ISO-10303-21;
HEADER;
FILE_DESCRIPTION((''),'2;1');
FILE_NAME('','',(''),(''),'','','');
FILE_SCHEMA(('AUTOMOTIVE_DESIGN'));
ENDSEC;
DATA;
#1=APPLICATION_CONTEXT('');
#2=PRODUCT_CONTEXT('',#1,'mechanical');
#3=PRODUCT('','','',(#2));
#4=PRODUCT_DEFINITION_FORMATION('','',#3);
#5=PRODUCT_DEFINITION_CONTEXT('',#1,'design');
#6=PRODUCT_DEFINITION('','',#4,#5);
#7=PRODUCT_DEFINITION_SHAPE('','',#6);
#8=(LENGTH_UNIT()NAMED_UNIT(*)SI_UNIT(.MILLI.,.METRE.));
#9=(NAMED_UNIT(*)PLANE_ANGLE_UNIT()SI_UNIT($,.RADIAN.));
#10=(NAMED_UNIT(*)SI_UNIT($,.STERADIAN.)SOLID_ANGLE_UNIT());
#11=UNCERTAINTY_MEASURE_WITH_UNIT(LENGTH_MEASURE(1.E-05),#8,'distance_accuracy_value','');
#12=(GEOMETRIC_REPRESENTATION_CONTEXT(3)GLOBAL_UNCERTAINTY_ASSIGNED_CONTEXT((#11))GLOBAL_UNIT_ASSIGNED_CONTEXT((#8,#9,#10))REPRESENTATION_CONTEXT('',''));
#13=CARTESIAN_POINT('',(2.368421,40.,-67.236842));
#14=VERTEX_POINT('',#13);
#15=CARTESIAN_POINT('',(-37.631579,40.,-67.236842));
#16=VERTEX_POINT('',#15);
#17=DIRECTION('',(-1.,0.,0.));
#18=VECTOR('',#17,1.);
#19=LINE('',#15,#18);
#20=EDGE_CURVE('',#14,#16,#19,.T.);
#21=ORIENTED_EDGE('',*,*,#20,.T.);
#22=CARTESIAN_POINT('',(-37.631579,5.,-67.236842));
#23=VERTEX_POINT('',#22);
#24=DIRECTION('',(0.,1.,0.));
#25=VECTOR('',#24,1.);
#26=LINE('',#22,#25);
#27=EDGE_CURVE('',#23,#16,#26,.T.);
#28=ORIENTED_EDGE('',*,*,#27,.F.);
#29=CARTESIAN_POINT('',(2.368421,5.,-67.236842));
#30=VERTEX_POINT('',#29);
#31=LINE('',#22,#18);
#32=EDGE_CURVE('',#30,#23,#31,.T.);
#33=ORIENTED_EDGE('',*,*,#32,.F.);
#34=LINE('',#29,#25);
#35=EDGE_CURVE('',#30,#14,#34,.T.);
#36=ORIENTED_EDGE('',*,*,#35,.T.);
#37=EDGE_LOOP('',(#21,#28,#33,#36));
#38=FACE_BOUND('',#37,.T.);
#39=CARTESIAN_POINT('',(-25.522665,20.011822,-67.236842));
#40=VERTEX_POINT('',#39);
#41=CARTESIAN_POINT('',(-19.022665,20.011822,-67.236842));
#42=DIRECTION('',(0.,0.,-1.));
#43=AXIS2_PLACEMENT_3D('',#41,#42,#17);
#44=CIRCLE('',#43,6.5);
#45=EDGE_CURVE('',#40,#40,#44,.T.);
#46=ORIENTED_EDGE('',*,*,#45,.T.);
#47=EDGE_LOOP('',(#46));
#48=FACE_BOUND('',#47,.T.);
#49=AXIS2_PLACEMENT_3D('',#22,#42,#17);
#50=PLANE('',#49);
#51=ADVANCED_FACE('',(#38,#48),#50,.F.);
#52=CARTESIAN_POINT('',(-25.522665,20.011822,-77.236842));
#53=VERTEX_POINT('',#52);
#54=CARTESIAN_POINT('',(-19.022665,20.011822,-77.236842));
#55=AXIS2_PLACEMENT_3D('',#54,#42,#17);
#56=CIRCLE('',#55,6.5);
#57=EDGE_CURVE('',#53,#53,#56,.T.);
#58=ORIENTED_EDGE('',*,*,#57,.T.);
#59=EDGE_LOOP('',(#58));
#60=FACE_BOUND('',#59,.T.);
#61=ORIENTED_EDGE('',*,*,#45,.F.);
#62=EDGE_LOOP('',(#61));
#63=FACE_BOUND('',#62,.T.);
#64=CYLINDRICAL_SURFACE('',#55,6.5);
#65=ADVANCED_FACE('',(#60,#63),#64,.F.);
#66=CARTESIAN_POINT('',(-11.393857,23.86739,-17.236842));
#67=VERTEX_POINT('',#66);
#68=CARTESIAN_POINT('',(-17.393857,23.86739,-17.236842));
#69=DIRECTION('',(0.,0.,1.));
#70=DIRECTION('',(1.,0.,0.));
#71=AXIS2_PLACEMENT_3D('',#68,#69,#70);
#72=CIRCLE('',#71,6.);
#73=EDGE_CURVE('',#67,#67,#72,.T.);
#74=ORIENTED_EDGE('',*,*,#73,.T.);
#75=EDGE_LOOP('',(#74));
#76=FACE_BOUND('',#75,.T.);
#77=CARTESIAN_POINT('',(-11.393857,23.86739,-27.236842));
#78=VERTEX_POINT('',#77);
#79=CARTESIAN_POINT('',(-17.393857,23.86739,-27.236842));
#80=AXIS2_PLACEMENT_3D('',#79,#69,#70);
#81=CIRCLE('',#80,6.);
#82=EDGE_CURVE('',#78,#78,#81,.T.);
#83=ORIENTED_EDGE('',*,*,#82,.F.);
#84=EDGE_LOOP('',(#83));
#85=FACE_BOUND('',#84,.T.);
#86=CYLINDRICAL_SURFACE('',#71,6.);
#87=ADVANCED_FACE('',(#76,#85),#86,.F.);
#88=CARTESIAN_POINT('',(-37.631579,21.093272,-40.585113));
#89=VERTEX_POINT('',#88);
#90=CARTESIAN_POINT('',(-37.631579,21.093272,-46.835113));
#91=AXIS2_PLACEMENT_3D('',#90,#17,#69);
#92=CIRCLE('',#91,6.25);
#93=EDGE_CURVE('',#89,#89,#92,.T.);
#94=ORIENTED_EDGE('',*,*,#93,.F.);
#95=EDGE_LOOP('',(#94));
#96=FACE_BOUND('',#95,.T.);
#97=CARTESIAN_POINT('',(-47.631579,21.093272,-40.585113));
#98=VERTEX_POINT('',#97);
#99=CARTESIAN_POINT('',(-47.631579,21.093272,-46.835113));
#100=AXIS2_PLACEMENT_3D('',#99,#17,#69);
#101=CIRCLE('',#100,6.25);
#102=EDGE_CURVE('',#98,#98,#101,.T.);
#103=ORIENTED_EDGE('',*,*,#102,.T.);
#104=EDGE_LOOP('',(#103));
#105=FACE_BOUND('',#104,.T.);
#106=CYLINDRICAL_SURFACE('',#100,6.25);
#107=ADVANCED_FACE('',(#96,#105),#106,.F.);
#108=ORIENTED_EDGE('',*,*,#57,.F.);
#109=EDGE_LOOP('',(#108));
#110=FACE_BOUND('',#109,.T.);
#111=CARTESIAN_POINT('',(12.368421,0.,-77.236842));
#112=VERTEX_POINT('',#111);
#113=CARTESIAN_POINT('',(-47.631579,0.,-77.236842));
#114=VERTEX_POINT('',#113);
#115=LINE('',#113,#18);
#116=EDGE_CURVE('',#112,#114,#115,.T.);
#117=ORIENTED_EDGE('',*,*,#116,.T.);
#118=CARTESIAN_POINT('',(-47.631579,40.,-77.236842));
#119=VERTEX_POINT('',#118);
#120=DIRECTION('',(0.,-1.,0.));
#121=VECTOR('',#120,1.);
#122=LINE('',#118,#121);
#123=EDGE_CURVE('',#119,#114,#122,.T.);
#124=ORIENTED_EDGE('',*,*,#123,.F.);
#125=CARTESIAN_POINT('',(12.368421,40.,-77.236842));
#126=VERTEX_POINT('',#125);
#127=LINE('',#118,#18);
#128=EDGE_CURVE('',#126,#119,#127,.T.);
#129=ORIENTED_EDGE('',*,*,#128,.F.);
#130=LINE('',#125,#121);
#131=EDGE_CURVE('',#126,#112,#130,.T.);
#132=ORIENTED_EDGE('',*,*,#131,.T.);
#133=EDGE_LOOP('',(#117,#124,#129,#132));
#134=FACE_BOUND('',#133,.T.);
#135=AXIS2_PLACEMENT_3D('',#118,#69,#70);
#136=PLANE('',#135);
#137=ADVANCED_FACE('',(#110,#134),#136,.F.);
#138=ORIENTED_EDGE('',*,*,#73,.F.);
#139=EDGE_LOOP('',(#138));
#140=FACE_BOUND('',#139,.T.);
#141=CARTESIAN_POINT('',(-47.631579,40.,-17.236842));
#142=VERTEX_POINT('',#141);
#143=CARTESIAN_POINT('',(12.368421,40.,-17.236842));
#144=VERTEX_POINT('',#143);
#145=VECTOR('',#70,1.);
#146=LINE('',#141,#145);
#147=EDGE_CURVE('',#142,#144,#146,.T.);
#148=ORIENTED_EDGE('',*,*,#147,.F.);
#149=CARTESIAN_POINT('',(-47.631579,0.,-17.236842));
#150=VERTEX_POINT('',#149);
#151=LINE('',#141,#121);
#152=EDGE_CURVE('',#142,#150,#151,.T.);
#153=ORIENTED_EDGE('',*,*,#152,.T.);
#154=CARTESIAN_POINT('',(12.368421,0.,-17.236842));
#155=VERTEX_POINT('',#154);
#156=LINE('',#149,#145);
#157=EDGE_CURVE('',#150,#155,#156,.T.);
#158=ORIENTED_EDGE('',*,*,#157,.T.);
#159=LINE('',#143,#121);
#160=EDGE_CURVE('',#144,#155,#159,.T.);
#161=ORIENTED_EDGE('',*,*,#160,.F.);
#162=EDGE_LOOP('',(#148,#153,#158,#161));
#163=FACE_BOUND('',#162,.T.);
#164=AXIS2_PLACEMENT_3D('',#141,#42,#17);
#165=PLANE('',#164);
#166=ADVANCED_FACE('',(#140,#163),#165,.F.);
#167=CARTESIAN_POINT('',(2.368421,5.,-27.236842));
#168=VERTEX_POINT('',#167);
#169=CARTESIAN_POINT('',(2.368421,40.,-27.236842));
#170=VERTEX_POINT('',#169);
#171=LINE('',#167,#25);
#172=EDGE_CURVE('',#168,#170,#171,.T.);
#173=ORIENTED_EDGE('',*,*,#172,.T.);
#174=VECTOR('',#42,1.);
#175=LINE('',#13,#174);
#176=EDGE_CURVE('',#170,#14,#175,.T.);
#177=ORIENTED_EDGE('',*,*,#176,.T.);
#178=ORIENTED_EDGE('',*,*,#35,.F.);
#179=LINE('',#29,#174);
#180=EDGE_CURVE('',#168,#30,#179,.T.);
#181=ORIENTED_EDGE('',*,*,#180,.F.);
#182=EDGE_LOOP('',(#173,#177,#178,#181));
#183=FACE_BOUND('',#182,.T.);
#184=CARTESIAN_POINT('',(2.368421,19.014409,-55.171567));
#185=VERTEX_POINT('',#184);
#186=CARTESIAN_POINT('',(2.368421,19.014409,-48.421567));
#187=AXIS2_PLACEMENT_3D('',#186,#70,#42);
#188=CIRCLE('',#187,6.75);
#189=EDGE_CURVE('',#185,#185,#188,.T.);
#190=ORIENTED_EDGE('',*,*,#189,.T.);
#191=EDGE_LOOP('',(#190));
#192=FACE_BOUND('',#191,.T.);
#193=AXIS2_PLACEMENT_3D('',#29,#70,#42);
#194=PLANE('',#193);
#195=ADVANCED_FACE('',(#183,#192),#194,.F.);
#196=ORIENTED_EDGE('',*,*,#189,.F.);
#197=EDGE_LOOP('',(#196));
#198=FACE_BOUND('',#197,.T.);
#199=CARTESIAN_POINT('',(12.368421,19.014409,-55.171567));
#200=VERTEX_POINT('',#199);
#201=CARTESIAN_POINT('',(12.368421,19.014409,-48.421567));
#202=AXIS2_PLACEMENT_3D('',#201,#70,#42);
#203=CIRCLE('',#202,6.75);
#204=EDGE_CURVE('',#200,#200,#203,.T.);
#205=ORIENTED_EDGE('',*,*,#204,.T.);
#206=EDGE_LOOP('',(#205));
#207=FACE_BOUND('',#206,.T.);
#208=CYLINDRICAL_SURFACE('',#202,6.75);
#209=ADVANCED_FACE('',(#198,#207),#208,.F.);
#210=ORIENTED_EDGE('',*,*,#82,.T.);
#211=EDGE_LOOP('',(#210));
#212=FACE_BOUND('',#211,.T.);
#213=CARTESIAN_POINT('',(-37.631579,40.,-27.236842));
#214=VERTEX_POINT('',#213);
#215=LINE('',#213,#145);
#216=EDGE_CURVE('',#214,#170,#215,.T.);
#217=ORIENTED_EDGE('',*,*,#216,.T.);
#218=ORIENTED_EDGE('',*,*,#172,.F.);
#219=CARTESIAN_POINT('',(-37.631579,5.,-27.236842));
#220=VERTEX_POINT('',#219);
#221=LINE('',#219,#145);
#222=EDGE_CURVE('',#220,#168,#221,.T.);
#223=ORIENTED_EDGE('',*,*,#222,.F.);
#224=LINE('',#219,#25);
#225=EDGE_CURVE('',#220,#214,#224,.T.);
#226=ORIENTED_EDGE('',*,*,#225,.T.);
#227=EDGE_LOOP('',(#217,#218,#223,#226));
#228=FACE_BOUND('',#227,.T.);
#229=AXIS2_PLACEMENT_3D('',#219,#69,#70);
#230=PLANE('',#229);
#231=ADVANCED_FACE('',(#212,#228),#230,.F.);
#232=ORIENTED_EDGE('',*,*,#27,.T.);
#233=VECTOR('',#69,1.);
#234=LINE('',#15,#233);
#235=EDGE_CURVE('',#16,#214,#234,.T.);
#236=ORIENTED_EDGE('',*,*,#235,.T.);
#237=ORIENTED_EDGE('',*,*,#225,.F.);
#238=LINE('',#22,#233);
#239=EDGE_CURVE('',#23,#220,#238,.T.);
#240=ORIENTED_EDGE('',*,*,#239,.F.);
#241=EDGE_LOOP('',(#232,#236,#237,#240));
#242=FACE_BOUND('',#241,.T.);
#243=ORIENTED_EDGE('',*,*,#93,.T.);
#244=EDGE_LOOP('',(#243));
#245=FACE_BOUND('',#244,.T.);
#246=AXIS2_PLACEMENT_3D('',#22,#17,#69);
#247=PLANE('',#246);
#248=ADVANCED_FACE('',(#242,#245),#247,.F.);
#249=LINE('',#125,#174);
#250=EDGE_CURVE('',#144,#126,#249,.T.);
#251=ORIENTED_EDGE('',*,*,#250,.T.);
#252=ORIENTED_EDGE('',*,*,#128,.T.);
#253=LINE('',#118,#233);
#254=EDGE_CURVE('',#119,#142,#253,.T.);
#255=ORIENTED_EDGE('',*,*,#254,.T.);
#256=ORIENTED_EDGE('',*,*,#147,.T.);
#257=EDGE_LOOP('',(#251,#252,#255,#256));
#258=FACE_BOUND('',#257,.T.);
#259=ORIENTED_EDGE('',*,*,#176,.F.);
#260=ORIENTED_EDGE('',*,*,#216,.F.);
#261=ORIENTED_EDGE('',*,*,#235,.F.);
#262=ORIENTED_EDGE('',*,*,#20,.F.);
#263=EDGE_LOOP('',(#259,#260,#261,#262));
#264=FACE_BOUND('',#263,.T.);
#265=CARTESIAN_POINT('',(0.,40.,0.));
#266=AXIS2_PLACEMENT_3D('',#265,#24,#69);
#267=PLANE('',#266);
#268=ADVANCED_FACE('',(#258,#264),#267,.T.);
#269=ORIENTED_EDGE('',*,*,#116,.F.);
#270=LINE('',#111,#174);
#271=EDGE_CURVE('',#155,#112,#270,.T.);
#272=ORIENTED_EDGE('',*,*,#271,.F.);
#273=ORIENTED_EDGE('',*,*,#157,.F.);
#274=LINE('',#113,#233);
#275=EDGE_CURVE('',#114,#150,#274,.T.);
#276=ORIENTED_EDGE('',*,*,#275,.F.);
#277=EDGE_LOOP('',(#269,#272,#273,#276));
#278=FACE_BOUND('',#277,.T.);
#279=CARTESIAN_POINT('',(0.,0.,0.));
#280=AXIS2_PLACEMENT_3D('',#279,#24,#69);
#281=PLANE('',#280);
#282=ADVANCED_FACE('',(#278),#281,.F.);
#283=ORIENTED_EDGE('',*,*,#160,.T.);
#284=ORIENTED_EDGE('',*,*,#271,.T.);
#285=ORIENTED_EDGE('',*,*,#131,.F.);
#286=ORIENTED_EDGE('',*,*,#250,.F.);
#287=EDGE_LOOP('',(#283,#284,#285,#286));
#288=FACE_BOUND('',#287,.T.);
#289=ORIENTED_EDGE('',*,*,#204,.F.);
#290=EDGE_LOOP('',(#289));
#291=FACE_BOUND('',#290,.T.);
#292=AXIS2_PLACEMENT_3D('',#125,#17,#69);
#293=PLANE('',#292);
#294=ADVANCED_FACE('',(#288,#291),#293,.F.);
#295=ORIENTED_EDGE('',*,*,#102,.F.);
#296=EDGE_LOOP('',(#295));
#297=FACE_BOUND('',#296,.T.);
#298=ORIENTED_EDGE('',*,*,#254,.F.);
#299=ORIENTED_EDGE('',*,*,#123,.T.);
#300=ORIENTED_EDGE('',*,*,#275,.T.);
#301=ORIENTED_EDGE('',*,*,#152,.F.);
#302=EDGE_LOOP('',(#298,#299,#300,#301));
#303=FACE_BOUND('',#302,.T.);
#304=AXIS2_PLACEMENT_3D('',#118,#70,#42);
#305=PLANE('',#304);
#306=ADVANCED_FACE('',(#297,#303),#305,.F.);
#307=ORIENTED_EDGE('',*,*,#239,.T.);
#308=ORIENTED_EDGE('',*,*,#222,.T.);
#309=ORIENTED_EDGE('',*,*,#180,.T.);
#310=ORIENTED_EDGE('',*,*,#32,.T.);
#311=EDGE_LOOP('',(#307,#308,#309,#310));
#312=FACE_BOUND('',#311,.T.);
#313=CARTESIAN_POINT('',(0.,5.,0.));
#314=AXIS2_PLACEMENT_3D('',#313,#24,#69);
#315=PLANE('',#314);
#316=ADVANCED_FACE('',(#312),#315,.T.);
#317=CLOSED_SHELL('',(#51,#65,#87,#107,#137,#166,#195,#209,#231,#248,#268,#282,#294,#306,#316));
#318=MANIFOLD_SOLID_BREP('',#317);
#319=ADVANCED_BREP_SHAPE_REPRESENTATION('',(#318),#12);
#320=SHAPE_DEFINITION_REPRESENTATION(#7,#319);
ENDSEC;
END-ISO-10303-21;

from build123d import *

# Parameters (mm, degrees)
SKETCH_1_W                    = 60
SKETCH_1_H                    = 60
EXTRUDE_2_DEPTH               = 40
SKETCH_2_W                    = 40
SKETCH_2_H                    = 40
CUT_EXTRUDE_1_DEPTH           = 35
HOLE_WIZARD_12_0_12_1_D       = 12
HOLE_WIZARD_12_0_12_1_DEPTH   = 10
HOLE_WIZARD_13_5_13_5_1_D     = 13.5
HOLE_WIZARD_13_5_13_5_1_DEPTH = 10
HOLE_WIZARD_12_5_12_5_1_D     = 12.5
HOLE_WIZARD_12_5_12_5_1_DEPTH = 10
HOLE_WIZARD_13_0_13_1_D       = 13
HOLE_WIZARD_13_0_13_1_DEPTH   = 10


with BuildPart() as part:
    # 草圖1 → 填料-伸長2 (new body)
    with BuildSketch(Plane(origin=(0, 0, 0), x_dir=(1, 0, 0), z_dir=(0, 1, 0))):
        with Locations((-17.631578947, 47.236842105)):
            Rectangle(SKETCH_1_W, SKETCH_1_H)
    extrude(amount=EXTRUDE_2_DEPTH)

    # 草圖2 → 除料-伸長1 (cut)
    with BuildSketch(Plane(origin=(0, 40, 0), x_dir=(1, 0, 0), z_dir=(0, 1, 0))):
        with Locations((-17.631578947, 47.236842105)):
            Rectangle(SKETCH_2_W, SKETCH_2_H)
    extrude(amount=-CUT_EXTRUDE_1_DEPTH, mode=Mode.SUBTRACT)

    # Ø12.0 (12) 直徑孔1
    with Locations(Plane(origin=(-17.39385665, 23.867389925, -17.236842105), x_dir=(1, 0, 0), z_dir=(0, 0, 1))):
        with Locations((0, 0)):
            Hole(HOLE_WIZARD_12_0_12_1_D / 2, depth=HOLE_WIZARD_12_0_12_1_DEPTH)

    # Ø13.5 (13.5) 直徑孔1
    with Locations(Plane(origin=(12.368421053, 19.014409134, -48.421566687), x_dir=(0, 0, 1), z_dir=(1, 0, 0))):
        with Locations((0, 0)):
            Hole(HOLE_WIZARD_13_5_13_5_1_D / 2, depth=HOLE_WIZARD_13_5_13_5_1_DEPTH)

    # Ø12.5 (12.5) 直徑孔1
    with Locations(Plane(origin=(-47.631578947, 21.093271668, -46.835113177), x_dir=(0, 0, -1), z_dir=(-1, 0, 0))):
        with Locations((0, 0)):
            Hole(HOLE_WIZARD_12_5_12_5_1_D / 2, depth=HOLE_WIZARD_12_5_12_5_1_DEPTH)

    # Ø13.0 (13) 直徑孔1
    with Locations(Plane(origin=(-19.022665384, 20.011822427, -77.236842105), x_dir=(-1, 0, 0), z_dir=(0, 0, -1))):
        with Locations((0, 0)):
            Hole(HOLE_WIZARD_13_0_13_1_D / 2, depth=HOLE_WIZARD_13_0_13_1_DEPTH)


solid = part.part
